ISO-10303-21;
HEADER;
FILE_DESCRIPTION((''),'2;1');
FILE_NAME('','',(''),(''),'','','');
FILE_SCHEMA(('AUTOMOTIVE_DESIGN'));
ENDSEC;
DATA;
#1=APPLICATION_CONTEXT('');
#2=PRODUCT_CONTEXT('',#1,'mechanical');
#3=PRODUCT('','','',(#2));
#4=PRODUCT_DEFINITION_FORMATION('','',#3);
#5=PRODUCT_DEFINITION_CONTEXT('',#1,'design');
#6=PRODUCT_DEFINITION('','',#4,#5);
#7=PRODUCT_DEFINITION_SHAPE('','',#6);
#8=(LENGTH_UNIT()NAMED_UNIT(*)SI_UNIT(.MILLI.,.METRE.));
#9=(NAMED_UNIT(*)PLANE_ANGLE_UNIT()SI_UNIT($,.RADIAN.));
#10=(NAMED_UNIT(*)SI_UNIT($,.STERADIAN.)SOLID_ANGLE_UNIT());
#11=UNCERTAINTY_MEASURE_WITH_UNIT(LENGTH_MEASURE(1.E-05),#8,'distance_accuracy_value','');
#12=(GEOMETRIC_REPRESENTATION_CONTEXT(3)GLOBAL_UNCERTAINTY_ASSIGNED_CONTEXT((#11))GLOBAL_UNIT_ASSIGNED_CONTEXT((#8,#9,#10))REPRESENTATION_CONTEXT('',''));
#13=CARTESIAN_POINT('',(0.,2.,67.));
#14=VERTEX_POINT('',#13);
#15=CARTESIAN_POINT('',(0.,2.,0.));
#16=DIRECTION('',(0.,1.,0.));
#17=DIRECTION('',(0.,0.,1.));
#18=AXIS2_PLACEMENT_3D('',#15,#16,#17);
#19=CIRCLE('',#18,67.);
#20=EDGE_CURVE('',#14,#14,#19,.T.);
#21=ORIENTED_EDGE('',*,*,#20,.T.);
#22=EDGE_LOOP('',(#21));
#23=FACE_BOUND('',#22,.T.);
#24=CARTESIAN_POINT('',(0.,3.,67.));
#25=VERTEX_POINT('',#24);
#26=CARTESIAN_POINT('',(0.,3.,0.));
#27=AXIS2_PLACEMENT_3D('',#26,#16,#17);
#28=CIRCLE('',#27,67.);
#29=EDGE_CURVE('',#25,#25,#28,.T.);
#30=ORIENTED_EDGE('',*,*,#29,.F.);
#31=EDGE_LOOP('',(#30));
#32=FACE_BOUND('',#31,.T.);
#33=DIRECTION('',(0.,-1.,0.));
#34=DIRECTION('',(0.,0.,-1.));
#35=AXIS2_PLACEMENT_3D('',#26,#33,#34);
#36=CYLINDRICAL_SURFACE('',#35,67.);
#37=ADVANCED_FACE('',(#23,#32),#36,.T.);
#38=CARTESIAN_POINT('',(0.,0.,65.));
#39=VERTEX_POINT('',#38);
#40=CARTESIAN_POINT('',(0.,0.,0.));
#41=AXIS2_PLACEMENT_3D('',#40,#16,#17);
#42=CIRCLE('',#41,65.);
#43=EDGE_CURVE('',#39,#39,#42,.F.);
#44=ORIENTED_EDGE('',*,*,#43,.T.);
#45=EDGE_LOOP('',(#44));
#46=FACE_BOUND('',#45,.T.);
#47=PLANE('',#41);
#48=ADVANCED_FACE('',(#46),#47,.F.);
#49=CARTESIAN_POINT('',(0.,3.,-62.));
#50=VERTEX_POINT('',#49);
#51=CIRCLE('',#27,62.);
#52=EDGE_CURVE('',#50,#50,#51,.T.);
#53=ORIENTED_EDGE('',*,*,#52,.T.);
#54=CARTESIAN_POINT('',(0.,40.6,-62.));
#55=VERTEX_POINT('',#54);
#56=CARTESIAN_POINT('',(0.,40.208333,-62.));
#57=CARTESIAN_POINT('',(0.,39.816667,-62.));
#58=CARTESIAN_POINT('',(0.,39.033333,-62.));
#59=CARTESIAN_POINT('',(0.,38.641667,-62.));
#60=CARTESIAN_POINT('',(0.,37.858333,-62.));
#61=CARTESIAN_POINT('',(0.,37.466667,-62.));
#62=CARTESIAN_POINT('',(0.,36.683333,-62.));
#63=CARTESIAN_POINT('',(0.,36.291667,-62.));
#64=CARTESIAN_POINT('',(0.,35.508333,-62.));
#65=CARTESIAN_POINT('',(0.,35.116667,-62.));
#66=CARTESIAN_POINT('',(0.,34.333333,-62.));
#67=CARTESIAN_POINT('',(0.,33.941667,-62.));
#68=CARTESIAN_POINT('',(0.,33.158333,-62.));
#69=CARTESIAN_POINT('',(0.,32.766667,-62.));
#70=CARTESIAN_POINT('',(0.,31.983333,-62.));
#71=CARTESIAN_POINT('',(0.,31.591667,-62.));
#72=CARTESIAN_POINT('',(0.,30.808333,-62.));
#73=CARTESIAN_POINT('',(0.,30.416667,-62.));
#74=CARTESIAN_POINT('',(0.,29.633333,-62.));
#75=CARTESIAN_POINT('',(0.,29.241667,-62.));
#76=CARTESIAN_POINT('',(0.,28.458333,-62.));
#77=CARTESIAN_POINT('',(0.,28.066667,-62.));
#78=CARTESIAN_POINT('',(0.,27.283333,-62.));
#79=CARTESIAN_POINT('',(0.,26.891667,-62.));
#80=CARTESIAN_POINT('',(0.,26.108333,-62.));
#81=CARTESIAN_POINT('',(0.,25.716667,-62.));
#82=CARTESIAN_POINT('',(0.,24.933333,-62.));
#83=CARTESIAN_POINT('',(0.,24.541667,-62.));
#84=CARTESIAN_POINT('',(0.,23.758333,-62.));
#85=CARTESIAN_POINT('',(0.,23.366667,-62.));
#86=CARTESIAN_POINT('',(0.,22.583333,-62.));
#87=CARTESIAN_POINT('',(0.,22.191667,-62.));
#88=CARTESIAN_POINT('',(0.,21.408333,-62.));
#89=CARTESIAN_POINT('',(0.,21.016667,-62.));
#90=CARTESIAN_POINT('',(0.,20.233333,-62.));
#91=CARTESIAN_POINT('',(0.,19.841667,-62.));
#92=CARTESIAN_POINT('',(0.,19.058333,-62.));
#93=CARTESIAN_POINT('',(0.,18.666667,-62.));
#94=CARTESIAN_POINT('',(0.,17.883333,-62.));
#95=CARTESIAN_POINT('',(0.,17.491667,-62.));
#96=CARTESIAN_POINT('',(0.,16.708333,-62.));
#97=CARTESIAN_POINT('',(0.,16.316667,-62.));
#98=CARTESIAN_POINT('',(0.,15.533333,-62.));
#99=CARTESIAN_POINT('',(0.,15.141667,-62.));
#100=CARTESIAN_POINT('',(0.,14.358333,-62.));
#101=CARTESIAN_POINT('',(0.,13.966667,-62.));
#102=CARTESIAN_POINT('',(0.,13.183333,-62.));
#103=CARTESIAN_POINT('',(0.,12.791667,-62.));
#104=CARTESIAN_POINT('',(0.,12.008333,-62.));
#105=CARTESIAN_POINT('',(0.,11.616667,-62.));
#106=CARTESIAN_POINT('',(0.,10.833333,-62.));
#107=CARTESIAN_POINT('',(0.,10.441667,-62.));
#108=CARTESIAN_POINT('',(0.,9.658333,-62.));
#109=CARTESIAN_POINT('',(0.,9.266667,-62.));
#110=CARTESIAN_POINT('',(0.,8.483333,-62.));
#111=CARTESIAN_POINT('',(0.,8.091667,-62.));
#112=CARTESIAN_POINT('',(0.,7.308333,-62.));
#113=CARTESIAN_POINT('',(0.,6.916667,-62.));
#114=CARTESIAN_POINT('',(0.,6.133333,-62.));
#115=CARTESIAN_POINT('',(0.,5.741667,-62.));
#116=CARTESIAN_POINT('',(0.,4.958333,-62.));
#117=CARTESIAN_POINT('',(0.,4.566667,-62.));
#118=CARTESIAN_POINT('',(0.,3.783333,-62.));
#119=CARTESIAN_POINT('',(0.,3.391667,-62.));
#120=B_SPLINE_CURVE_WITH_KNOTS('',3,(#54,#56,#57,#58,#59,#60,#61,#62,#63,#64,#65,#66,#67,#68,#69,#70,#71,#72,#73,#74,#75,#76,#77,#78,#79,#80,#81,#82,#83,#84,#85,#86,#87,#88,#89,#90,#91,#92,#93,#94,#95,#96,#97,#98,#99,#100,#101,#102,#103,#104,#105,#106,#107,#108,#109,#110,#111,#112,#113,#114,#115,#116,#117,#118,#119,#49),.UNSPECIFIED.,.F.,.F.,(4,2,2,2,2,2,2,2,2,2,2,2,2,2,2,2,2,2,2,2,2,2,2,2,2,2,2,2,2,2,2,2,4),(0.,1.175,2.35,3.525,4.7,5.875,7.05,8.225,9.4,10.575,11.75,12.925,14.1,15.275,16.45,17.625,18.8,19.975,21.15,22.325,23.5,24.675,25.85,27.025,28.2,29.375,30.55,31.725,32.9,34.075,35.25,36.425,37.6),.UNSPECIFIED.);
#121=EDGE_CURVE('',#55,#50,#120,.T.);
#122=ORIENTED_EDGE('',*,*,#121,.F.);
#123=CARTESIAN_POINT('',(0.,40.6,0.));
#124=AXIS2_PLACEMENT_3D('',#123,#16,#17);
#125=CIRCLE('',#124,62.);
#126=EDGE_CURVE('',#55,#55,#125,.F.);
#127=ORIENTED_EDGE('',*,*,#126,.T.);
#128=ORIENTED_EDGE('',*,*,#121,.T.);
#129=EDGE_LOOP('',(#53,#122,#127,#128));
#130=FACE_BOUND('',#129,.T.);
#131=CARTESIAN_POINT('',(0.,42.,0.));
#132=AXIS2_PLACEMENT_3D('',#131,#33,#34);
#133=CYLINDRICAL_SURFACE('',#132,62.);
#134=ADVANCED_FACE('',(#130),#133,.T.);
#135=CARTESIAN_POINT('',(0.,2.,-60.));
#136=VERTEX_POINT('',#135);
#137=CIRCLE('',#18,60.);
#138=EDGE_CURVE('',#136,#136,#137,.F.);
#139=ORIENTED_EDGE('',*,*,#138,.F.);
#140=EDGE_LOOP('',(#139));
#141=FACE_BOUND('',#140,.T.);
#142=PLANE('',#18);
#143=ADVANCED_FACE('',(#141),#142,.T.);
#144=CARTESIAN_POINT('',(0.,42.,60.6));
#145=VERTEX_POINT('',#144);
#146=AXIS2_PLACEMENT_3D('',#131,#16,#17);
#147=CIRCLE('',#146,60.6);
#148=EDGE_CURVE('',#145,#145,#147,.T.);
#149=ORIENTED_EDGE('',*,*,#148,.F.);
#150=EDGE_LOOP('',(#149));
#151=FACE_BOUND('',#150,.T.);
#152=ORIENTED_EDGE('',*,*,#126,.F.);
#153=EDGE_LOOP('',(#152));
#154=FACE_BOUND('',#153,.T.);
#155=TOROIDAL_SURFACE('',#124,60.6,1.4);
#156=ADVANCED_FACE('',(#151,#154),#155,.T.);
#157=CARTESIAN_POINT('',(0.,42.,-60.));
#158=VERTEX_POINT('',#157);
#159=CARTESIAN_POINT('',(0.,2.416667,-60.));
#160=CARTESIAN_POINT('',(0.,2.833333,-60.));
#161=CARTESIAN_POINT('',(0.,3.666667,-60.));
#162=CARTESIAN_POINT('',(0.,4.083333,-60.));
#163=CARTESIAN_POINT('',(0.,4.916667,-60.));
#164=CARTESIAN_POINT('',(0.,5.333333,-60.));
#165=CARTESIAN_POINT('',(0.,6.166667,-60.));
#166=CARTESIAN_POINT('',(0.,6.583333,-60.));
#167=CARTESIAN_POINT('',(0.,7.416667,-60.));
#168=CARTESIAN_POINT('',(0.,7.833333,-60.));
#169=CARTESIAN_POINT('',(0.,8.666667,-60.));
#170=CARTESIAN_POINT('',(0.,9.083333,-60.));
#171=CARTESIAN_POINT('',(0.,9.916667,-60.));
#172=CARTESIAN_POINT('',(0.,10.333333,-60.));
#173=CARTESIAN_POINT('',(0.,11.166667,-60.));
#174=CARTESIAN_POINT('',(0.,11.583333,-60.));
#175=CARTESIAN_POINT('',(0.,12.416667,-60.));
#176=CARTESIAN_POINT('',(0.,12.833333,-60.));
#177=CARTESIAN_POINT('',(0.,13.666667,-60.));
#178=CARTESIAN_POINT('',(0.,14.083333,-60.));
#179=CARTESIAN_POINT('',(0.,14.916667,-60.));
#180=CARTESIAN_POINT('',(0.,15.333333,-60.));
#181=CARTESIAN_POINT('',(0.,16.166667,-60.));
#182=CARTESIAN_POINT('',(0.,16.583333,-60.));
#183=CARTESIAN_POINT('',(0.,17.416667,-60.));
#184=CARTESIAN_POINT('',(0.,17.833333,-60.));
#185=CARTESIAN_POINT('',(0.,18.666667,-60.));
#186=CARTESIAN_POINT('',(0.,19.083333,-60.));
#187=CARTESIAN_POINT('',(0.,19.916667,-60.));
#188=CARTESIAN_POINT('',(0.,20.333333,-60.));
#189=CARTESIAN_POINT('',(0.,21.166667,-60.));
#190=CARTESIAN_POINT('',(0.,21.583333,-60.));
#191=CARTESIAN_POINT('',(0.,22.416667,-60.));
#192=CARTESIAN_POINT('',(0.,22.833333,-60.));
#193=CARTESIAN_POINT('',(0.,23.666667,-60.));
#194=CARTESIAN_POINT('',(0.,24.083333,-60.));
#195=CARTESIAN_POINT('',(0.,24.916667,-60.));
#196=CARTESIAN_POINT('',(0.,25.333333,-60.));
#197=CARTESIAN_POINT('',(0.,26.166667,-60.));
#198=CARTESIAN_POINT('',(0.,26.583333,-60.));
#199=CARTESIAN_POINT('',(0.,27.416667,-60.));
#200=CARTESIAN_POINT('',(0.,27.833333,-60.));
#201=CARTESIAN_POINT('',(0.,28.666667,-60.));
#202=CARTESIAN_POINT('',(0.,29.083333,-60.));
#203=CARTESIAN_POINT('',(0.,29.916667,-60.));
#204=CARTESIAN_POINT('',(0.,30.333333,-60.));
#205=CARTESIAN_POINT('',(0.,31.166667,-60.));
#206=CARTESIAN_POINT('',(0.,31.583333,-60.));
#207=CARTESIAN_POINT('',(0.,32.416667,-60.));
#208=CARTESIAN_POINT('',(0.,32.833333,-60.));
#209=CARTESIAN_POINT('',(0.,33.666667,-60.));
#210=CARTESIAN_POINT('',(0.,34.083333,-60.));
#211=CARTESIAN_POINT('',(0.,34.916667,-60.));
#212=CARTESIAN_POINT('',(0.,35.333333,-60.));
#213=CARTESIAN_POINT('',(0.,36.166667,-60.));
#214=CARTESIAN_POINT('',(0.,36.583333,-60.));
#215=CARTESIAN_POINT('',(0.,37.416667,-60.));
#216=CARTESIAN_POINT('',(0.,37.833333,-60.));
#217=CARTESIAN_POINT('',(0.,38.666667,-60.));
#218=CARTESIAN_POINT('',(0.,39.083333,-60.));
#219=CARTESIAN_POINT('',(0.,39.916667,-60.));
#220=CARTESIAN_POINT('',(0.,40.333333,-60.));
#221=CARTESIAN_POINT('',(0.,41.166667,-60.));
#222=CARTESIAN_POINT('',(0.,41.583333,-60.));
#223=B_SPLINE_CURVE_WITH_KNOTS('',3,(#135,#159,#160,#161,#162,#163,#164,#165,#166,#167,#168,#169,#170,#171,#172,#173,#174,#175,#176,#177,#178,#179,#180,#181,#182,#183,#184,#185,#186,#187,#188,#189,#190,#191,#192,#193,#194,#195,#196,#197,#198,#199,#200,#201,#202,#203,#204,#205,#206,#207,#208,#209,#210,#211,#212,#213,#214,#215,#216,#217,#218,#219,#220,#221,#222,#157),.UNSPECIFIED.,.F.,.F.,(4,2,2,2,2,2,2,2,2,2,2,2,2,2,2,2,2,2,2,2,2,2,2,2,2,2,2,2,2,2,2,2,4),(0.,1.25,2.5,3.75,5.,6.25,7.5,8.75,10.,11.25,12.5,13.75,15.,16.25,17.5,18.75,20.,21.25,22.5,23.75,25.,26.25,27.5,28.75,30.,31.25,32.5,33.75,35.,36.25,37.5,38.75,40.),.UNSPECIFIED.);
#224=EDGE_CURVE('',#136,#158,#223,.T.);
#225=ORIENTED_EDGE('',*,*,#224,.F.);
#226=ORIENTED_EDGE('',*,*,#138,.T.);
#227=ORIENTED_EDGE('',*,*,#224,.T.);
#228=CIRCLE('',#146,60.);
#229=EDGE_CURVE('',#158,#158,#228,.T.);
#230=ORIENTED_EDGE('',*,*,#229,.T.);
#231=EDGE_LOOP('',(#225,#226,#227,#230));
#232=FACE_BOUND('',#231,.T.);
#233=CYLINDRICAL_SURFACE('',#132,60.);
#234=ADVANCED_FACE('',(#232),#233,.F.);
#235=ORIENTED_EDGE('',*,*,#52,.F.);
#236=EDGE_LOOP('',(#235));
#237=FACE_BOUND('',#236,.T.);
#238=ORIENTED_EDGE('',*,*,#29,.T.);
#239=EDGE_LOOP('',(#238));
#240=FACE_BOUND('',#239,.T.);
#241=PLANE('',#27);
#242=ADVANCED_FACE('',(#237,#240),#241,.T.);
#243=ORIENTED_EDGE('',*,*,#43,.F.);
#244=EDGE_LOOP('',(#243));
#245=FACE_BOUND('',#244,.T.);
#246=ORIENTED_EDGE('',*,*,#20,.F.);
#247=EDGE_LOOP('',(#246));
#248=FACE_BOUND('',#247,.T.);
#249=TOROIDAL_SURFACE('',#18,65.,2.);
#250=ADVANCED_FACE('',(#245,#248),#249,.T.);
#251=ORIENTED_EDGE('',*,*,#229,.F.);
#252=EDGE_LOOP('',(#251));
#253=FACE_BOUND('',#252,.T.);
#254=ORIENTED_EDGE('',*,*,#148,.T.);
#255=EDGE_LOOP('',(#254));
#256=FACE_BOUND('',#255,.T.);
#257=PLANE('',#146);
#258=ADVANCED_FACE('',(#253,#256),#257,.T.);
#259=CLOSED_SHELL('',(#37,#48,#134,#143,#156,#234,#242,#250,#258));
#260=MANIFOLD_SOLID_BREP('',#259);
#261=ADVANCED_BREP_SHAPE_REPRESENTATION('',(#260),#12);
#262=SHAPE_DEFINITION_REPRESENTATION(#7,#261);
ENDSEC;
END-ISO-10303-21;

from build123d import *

# Parameters (mm, degrees)
SKETCH1_R           = 62
BOSS_EXTRUDE1_DEPTH = 42
SKETCH2_R           = 67
BOSS_EXTRUDE2_DEPTH = 3
FILLET1_R           = 2
SHELL1_T            = -2
FILLET2_R           = 1.4


with BuildPart() as part:
    # Sketch1 → Boss-Extrude1 (new body)
    with BuildSketch(Plane(origin=(0, 0, 0), x_dir=(1, 0, 0), z_dir=(0, 1, 0))):
        with Locations(Location((0, 0, 0), (0, 0, 90))):
            Circle(SKETCH1_R)
    extrude(amount=BOSS_EXTRUDE1_DEPTH)

    # Sketch2 → Boss-Extrude2 (add)
    with BuildSketch(Plane(origin=(0, 0, 0), x_dir=(1, 0, 0), z_dir=(0, 1, 0))):
        with Locations(Location((0, 0, 0), (0, 0, 270))):
            Circle(SKETCH2_R)
    extrude(amount=BOSS_EXTRUDE2_DEPTH)

    # Fillet1
    fillet1_edges = [part.edges().sort_by_distance(p)[0] for p in [
        (0, 0, -67),
    ]]
    fillet(fillet1_edges, radius=FILLET1_R)

    # Shell1
    shell1_openings = [part.faces().sort_by_distance(p)[0] for p in [
        (0, 42, 0),
    ]]
    offset(amount=SHELL1_T, openings=shell1_openings, kind=Kind.INTERSECTION)

    # Fillet2
    fillet2_edges = [part.edges().sort_by_distance(p)[0] for p in [
        (0, 42, 62),
    ]]
    fillet(fillet2_edges, radius=FILLET2_R)


solid = part.part
